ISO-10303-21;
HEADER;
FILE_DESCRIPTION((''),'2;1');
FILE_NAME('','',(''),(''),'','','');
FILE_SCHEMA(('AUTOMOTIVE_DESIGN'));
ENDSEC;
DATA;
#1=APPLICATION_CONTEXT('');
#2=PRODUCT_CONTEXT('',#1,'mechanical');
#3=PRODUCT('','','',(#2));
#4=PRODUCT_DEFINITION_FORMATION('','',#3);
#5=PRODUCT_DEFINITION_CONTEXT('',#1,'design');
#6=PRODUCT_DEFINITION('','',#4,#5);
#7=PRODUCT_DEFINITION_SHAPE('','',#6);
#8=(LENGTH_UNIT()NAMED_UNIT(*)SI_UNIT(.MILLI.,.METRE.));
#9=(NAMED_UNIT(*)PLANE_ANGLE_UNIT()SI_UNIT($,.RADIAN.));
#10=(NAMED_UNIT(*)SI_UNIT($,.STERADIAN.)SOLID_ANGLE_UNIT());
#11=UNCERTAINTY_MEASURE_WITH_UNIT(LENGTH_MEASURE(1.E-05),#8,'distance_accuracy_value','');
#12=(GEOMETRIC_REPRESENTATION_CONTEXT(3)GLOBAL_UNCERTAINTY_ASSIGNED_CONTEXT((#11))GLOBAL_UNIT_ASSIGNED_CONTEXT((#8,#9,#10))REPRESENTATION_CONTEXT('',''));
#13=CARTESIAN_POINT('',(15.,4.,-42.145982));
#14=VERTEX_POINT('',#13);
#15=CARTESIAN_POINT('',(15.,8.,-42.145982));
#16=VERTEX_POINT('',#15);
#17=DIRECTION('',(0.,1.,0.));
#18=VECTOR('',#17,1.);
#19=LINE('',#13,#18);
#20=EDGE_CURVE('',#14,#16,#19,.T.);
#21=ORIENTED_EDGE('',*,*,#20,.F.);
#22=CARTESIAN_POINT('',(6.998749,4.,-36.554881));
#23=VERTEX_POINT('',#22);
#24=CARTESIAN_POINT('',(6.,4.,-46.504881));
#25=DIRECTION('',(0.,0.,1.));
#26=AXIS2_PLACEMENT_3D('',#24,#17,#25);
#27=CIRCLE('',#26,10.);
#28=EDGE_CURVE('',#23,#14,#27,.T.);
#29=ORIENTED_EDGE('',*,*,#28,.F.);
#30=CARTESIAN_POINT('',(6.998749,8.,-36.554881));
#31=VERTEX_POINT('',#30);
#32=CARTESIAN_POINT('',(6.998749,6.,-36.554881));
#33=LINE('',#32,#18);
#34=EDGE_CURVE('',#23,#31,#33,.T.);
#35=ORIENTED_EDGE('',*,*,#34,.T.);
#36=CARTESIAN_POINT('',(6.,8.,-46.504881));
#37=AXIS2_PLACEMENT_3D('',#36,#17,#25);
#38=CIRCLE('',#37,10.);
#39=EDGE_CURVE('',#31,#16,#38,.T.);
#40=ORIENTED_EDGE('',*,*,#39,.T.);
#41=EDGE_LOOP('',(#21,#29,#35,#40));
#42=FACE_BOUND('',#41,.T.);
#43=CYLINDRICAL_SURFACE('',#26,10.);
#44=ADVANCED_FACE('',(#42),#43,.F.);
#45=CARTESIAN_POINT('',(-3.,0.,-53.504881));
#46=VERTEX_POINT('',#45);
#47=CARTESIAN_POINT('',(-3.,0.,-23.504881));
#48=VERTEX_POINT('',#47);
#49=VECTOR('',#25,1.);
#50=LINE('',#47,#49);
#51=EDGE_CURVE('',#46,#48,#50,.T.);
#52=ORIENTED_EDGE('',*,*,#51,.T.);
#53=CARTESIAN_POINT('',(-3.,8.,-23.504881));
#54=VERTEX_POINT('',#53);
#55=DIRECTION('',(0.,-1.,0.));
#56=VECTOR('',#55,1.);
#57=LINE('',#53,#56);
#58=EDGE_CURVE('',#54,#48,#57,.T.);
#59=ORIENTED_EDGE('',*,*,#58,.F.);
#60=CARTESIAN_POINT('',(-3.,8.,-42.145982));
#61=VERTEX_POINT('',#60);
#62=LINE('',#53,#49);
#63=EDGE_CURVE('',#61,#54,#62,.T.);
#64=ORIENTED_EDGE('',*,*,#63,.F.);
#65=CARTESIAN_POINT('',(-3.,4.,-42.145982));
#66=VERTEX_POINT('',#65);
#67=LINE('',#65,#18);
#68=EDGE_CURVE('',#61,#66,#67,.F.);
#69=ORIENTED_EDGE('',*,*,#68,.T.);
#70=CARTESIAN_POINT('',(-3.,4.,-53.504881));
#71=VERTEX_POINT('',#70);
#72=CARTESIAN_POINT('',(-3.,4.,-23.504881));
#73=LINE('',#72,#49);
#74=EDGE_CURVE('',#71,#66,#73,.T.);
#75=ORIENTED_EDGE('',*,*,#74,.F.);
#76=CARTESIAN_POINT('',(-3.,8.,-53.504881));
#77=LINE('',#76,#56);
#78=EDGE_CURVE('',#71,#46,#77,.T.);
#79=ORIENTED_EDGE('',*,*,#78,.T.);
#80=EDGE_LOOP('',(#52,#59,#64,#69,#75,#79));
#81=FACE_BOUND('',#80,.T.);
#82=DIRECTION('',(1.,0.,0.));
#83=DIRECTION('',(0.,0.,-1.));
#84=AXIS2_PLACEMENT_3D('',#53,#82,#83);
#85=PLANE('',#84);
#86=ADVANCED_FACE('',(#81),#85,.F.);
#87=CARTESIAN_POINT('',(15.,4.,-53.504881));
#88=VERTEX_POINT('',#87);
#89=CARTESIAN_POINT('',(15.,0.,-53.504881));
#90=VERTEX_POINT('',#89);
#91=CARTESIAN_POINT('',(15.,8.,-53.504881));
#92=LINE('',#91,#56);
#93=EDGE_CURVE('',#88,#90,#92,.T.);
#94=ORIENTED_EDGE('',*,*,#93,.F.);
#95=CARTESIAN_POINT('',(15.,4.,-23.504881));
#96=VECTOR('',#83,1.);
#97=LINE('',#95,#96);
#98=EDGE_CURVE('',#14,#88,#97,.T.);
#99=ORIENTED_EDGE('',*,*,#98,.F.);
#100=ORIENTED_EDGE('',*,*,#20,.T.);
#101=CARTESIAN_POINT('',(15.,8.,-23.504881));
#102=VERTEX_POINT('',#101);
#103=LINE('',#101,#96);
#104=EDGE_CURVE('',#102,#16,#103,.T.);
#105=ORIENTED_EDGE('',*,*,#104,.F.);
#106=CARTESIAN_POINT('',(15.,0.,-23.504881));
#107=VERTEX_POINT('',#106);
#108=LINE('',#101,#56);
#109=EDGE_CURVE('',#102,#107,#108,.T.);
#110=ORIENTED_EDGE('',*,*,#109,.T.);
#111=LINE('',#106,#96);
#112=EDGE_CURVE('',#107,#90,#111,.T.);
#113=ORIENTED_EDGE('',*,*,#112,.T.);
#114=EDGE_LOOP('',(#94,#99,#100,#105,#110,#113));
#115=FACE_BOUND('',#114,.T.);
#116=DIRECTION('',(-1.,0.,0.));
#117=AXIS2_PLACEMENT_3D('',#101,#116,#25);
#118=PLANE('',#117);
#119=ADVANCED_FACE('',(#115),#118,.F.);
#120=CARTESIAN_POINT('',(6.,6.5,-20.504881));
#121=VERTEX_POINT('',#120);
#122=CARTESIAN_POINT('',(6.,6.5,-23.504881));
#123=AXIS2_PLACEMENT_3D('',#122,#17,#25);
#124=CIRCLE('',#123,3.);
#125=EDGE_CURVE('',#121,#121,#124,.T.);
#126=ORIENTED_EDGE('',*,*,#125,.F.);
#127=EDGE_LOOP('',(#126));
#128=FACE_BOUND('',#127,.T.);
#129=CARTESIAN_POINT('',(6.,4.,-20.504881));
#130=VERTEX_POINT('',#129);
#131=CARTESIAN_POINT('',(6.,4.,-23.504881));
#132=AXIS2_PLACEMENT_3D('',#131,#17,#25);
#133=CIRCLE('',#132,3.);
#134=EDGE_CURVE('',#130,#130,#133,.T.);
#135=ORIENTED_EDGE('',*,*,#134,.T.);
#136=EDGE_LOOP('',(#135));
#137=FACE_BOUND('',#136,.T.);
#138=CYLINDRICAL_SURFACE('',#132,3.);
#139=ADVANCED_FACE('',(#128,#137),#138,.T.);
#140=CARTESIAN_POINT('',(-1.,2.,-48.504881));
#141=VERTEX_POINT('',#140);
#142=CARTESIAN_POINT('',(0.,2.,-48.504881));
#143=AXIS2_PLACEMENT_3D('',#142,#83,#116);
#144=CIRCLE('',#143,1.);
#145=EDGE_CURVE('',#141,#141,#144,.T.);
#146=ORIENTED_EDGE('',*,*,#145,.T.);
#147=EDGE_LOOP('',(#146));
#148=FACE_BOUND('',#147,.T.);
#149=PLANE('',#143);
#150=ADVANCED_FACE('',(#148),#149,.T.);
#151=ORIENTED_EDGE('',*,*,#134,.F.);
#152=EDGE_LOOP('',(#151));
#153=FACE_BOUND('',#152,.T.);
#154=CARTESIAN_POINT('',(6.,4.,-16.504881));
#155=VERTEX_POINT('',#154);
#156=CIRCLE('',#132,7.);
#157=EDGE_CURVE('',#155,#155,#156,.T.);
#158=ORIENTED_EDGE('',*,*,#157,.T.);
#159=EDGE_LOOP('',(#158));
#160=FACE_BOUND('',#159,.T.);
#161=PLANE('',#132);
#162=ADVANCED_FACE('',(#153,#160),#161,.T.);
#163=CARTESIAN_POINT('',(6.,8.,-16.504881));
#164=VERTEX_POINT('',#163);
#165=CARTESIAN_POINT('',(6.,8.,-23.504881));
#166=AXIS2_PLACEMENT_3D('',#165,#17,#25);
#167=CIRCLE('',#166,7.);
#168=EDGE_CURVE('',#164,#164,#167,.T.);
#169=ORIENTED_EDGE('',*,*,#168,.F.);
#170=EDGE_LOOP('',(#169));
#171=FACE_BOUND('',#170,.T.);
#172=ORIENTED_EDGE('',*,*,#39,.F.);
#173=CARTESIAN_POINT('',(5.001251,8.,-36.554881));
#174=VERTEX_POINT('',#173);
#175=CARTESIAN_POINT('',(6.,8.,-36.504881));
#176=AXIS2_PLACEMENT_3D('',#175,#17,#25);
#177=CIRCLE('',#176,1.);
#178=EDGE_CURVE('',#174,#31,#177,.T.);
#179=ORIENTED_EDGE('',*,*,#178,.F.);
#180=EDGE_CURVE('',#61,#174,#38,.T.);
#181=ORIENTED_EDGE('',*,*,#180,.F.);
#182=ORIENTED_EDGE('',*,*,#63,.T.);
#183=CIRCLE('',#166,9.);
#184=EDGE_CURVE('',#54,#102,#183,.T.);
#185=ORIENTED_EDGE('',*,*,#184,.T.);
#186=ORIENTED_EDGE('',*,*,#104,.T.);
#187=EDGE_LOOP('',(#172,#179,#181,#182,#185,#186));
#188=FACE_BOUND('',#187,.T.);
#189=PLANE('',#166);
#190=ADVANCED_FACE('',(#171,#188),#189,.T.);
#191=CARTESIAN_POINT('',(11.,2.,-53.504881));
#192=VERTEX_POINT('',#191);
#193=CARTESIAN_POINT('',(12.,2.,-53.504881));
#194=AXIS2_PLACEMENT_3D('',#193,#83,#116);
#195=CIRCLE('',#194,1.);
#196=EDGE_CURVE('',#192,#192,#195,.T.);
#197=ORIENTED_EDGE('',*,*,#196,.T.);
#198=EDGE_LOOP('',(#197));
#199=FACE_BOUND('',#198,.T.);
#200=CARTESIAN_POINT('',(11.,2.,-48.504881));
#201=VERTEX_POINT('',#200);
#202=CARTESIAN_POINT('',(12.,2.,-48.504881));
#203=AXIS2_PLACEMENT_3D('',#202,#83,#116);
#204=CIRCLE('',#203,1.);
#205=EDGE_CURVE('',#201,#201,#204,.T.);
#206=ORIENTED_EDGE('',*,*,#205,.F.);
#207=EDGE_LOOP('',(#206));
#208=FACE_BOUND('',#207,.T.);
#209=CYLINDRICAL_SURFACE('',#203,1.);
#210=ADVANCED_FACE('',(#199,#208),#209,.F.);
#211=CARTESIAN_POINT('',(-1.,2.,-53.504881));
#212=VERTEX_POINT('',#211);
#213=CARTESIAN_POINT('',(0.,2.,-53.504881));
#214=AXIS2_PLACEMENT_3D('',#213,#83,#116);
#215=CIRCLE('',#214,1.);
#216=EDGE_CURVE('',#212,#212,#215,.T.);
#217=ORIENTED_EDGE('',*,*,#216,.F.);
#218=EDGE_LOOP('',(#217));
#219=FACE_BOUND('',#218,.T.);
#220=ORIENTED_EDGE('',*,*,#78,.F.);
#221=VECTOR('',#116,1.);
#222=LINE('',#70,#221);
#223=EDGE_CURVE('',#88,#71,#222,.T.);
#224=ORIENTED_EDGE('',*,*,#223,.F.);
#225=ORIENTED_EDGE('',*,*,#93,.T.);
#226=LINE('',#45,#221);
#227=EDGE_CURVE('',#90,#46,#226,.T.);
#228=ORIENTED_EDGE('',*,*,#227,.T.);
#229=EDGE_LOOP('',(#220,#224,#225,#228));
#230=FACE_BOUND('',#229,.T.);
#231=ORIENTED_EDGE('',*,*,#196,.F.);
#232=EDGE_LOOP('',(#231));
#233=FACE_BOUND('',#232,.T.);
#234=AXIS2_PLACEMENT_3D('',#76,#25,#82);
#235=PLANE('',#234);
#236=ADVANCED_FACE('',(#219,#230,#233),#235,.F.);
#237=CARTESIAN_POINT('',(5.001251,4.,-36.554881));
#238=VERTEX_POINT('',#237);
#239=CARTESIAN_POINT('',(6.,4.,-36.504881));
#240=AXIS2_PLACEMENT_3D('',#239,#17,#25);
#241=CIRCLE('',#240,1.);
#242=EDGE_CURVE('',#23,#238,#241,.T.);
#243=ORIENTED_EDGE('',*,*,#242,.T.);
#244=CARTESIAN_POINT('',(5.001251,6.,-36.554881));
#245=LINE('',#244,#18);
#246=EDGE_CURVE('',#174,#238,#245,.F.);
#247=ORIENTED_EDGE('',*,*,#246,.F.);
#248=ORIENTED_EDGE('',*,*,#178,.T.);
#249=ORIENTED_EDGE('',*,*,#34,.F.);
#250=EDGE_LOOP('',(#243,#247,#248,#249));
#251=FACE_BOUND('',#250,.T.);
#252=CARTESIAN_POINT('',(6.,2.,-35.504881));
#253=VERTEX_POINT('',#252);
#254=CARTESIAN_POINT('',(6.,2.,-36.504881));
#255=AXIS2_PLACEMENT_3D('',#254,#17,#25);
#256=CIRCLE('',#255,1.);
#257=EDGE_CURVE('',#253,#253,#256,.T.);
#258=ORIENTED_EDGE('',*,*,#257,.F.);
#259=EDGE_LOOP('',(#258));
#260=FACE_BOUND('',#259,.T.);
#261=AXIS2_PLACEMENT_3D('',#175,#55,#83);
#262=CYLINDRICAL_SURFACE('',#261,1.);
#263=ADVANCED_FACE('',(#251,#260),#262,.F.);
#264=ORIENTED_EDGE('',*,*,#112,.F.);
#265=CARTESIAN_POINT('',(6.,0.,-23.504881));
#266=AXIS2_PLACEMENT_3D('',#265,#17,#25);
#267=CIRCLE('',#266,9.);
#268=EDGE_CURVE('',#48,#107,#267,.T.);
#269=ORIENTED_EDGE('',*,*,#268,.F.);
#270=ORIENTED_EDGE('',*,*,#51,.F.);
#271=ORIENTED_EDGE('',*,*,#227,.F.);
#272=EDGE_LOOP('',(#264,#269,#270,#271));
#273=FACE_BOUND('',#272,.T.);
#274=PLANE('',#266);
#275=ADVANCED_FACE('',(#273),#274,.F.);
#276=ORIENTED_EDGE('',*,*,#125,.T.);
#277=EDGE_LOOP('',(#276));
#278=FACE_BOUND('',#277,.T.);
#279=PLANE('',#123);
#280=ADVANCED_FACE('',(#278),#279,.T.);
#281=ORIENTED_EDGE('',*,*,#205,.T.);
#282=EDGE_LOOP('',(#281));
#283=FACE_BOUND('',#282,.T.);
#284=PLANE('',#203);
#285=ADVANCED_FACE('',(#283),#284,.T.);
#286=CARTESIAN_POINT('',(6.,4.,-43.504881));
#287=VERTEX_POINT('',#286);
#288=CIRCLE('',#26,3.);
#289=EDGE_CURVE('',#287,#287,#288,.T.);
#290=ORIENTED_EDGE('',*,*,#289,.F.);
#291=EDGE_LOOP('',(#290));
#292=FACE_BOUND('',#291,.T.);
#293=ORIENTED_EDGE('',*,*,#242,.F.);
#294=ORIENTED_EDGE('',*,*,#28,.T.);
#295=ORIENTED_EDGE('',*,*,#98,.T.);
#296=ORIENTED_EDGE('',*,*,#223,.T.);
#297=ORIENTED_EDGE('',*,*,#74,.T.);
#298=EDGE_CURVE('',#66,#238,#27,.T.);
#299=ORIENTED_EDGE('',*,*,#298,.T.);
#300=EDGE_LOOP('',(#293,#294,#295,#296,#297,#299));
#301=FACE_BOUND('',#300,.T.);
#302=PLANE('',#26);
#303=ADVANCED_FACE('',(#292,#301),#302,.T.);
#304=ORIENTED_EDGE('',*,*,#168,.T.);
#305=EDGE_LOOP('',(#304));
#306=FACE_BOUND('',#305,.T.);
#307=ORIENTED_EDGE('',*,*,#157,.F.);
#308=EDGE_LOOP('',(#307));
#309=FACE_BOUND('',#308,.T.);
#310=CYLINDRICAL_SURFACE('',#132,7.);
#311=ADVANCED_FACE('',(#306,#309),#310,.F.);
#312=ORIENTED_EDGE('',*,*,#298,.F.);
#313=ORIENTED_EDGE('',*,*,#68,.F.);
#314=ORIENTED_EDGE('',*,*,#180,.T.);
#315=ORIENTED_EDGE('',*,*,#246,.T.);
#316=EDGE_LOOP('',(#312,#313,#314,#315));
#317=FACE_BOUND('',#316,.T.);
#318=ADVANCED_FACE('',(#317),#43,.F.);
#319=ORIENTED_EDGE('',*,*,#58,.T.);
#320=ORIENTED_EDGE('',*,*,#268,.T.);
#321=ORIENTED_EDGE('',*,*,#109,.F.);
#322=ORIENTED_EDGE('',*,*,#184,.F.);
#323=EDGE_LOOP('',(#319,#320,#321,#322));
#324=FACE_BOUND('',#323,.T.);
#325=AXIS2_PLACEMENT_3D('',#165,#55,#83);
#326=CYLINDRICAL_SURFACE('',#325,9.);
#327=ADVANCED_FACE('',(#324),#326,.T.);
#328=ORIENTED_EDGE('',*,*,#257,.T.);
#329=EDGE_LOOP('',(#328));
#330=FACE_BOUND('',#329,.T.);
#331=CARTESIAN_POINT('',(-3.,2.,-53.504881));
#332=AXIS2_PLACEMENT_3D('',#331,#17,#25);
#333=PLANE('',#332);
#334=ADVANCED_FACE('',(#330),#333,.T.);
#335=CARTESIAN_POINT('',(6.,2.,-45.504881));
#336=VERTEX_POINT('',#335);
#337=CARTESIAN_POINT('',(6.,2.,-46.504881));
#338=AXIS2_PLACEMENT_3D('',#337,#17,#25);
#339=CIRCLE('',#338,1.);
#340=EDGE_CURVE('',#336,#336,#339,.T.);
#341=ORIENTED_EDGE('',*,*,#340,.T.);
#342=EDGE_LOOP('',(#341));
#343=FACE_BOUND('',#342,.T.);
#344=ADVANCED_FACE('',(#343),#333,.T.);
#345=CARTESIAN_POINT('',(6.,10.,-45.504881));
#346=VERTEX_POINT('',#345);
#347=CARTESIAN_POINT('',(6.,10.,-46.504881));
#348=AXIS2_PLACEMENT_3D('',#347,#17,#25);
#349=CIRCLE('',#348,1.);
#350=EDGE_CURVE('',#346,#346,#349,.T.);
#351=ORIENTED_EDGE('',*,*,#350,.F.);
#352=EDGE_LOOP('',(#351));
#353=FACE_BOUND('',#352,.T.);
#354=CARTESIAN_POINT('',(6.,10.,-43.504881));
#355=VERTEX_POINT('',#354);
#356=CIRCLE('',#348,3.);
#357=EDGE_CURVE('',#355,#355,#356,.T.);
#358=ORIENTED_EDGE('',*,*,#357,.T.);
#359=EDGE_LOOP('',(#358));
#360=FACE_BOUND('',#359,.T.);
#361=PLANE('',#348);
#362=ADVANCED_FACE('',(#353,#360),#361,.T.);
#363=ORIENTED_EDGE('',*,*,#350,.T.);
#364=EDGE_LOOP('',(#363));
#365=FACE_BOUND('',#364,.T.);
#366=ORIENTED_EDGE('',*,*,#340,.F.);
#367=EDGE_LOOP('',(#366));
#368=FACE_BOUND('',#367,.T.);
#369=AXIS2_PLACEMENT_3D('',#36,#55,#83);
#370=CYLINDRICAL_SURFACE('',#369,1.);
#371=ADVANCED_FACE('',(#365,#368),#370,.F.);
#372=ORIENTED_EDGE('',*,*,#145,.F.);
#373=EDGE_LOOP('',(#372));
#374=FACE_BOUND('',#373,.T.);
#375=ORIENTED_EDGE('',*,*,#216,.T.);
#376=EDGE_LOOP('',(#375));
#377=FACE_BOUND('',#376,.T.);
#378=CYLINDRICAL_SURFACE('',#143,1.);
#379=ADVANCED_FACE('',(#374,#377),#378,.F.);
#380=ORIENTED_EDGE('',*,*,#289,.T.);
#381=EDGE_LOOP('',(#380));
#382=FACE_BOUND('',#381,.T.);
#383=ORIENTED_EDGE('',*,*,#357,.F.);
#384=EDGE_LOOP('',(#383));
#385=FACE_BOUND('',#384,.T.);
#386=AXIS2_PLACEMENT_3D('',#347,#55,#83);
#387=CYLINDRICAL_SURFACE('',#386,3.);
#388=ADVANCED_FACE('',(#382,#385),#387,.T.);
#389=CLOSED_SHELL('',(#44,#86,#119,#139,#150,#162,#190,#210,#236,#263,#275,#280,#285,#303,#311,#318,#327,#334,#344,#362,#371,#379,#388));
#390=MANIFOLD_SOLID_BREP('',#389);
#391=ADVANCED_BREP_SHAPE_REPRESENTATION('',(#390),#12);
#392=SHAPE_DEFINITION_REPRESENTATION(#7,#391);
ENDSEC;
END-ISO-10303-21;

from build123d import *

# Parameters (mm, degrees)
SKETCH1_R           = 1
BOSS_EXTRUDE1_DEPTH = 8
SKETCH2_R           = 7
SKETCH2_R_2         = 3
CUT_EXTRUDE1_DEPTH  = 4
SKETCH3_R           = 3
CUT_EXTRUDE2_DEPTH  = 1.5
CUT_EXTRUDE3_DEPTH  = 4
BOSS_EXTRUDE2_START = -10
SKETCH5_W           = 30
SKETCH5_H           = 2
BOSS_EXTRUDE2_DEPTH = 2
SKETCH6_R           = 3
SKETCH6_R_2         = 1
BOSS_EXTRUDE3_DEPTH = 6
SKETCH7_R           = 1
CUT_EXTRUDE4_DEPTH  = 5


with BuildPart() as part:
    # Sketch1 → Boss-Extrude1 (new body)
    with BuildSketch(Plane(origin=(0, 0, 0), x_dir=(1, 0, 0), z_dir=(0, 1, 0))):
        with BuildLine():
            Line((-3, 53.504881109), (15, 53.504881109))
            Line((15, 53.504881109), (15, 23.504881109))
            ThreePointArc((15, 23.504881109), (6, 14.504881109), (-3, 23.504881109))
            Line((-3, 23.504881109), (-3, 53.504881109))
        make_face()
        with Locations((6, 36.504881109)):
            Circle(SKETCH1_R, mode=Mode.SUBTRACT)
        with Locations((6, 46.504881109)):
            Circle(SKETCH1_R, mode=Mode.SUBTRACT)
    extrude(amount=BOSS_EXTRUDE1_DEPTH)

    # Sketch2 → Cut-Extrude1 (cut)
    with BuildSketch(Plane(origin=(0, 8, 0), x_dir=(1, 0, 0), z_dir=(0, 1, 0))):
        with Locations((6, 23.504881109)):
            Circle(SKETCH2_R)
        with Locations((6, 23.504881109)):
            Circle(SKETCH2_R_2, mode=Mode.SUBTRACT)
    extrude(amount=-CUT_EXTRUDE1_DEPTH, mode=Mode.SUBTRACT)

    # Sketch3 → Cut-Extrude2 (cut)
    with BuildSketch(Plane(origin=(0, 8, 0), x_dir=(1, 0, 0), z_dir=(0, 1, 0))):
        with Locations((6, 23.504881109)):
            Circle(SKETCH3_R)
    extrude(amount=-CUT_EXTRUDE2_DEPTH, mode=Mode.SUBTRACT)

    # Sketch4 → Cut-Extrude3 (cut)
    with BuildSketch(Plane(origin=(0, 8, 0), x_dir=(1, 0, 0), z_dir=(0, 1, 0))):
        with BuildLine():
            Line((-4, 46.504881109), (-4, 53.993644797))
            Line((-4, 53.993644797), (16, 53.993644797))
            Line((16, 53.993644797), (16, 46.504881109))
            ThreePointArc((16, 46.504881109), (6, 36.504881109), (-4, 46.504881109))
        make_face()
    extrude(amount=-CUT_EXTRUDE3_DEPTH, mode=Mode.SUBTRACT)

    # Sketch5 → Boss-Extrude2 (add)
    with BuildSketch(Plane(origin=(15, 0, 0), x_dir=(0, 0, -1), z_dir=(1, 0, 0)).offset(BOSS_EXTRUDE2_START)):
        with Locations((38.504881109, 1)):
            Rectangle(SKETCH5_W, SKETCH5_H)
    extrude(amount=BOSS_EXTRUDE2_DEPTH)

    # Sketch6 → Boss-Extrude3 (add)
    with BuildSketch(Plane(origin=(0, 4, 0), x_dir=(1, 0, 0), z_dir=(0, 1, 0))):
        with Locations((6, 46.504881109)):
            Circle(SKETCH6_R)
        with Locations((6, 46.504881109)):
            Circle(SKETCH6_R_2, mode=Mode.SUBTRACT)
    extrude(amount=BOSS_EXTRUDE3_DEPTH)

    # Sketch7 → Cut-Extrude4 (cut)
    with BuildSketch(Plane(origin=(0, 0, -53.504881109), x_dir=(-1, 0, 0), z_dir=(0, 0, -1))):
        with Locations((-12, 2)):
            Circle(SKETCH7_R)
        with Locations((0, 2)):
            Circle(SKETCH7_R)
    extrude(amount=-CUT_EXTRUDE4_DEPTH, mode=Mode.SUBTRACT)


solid = part.part
